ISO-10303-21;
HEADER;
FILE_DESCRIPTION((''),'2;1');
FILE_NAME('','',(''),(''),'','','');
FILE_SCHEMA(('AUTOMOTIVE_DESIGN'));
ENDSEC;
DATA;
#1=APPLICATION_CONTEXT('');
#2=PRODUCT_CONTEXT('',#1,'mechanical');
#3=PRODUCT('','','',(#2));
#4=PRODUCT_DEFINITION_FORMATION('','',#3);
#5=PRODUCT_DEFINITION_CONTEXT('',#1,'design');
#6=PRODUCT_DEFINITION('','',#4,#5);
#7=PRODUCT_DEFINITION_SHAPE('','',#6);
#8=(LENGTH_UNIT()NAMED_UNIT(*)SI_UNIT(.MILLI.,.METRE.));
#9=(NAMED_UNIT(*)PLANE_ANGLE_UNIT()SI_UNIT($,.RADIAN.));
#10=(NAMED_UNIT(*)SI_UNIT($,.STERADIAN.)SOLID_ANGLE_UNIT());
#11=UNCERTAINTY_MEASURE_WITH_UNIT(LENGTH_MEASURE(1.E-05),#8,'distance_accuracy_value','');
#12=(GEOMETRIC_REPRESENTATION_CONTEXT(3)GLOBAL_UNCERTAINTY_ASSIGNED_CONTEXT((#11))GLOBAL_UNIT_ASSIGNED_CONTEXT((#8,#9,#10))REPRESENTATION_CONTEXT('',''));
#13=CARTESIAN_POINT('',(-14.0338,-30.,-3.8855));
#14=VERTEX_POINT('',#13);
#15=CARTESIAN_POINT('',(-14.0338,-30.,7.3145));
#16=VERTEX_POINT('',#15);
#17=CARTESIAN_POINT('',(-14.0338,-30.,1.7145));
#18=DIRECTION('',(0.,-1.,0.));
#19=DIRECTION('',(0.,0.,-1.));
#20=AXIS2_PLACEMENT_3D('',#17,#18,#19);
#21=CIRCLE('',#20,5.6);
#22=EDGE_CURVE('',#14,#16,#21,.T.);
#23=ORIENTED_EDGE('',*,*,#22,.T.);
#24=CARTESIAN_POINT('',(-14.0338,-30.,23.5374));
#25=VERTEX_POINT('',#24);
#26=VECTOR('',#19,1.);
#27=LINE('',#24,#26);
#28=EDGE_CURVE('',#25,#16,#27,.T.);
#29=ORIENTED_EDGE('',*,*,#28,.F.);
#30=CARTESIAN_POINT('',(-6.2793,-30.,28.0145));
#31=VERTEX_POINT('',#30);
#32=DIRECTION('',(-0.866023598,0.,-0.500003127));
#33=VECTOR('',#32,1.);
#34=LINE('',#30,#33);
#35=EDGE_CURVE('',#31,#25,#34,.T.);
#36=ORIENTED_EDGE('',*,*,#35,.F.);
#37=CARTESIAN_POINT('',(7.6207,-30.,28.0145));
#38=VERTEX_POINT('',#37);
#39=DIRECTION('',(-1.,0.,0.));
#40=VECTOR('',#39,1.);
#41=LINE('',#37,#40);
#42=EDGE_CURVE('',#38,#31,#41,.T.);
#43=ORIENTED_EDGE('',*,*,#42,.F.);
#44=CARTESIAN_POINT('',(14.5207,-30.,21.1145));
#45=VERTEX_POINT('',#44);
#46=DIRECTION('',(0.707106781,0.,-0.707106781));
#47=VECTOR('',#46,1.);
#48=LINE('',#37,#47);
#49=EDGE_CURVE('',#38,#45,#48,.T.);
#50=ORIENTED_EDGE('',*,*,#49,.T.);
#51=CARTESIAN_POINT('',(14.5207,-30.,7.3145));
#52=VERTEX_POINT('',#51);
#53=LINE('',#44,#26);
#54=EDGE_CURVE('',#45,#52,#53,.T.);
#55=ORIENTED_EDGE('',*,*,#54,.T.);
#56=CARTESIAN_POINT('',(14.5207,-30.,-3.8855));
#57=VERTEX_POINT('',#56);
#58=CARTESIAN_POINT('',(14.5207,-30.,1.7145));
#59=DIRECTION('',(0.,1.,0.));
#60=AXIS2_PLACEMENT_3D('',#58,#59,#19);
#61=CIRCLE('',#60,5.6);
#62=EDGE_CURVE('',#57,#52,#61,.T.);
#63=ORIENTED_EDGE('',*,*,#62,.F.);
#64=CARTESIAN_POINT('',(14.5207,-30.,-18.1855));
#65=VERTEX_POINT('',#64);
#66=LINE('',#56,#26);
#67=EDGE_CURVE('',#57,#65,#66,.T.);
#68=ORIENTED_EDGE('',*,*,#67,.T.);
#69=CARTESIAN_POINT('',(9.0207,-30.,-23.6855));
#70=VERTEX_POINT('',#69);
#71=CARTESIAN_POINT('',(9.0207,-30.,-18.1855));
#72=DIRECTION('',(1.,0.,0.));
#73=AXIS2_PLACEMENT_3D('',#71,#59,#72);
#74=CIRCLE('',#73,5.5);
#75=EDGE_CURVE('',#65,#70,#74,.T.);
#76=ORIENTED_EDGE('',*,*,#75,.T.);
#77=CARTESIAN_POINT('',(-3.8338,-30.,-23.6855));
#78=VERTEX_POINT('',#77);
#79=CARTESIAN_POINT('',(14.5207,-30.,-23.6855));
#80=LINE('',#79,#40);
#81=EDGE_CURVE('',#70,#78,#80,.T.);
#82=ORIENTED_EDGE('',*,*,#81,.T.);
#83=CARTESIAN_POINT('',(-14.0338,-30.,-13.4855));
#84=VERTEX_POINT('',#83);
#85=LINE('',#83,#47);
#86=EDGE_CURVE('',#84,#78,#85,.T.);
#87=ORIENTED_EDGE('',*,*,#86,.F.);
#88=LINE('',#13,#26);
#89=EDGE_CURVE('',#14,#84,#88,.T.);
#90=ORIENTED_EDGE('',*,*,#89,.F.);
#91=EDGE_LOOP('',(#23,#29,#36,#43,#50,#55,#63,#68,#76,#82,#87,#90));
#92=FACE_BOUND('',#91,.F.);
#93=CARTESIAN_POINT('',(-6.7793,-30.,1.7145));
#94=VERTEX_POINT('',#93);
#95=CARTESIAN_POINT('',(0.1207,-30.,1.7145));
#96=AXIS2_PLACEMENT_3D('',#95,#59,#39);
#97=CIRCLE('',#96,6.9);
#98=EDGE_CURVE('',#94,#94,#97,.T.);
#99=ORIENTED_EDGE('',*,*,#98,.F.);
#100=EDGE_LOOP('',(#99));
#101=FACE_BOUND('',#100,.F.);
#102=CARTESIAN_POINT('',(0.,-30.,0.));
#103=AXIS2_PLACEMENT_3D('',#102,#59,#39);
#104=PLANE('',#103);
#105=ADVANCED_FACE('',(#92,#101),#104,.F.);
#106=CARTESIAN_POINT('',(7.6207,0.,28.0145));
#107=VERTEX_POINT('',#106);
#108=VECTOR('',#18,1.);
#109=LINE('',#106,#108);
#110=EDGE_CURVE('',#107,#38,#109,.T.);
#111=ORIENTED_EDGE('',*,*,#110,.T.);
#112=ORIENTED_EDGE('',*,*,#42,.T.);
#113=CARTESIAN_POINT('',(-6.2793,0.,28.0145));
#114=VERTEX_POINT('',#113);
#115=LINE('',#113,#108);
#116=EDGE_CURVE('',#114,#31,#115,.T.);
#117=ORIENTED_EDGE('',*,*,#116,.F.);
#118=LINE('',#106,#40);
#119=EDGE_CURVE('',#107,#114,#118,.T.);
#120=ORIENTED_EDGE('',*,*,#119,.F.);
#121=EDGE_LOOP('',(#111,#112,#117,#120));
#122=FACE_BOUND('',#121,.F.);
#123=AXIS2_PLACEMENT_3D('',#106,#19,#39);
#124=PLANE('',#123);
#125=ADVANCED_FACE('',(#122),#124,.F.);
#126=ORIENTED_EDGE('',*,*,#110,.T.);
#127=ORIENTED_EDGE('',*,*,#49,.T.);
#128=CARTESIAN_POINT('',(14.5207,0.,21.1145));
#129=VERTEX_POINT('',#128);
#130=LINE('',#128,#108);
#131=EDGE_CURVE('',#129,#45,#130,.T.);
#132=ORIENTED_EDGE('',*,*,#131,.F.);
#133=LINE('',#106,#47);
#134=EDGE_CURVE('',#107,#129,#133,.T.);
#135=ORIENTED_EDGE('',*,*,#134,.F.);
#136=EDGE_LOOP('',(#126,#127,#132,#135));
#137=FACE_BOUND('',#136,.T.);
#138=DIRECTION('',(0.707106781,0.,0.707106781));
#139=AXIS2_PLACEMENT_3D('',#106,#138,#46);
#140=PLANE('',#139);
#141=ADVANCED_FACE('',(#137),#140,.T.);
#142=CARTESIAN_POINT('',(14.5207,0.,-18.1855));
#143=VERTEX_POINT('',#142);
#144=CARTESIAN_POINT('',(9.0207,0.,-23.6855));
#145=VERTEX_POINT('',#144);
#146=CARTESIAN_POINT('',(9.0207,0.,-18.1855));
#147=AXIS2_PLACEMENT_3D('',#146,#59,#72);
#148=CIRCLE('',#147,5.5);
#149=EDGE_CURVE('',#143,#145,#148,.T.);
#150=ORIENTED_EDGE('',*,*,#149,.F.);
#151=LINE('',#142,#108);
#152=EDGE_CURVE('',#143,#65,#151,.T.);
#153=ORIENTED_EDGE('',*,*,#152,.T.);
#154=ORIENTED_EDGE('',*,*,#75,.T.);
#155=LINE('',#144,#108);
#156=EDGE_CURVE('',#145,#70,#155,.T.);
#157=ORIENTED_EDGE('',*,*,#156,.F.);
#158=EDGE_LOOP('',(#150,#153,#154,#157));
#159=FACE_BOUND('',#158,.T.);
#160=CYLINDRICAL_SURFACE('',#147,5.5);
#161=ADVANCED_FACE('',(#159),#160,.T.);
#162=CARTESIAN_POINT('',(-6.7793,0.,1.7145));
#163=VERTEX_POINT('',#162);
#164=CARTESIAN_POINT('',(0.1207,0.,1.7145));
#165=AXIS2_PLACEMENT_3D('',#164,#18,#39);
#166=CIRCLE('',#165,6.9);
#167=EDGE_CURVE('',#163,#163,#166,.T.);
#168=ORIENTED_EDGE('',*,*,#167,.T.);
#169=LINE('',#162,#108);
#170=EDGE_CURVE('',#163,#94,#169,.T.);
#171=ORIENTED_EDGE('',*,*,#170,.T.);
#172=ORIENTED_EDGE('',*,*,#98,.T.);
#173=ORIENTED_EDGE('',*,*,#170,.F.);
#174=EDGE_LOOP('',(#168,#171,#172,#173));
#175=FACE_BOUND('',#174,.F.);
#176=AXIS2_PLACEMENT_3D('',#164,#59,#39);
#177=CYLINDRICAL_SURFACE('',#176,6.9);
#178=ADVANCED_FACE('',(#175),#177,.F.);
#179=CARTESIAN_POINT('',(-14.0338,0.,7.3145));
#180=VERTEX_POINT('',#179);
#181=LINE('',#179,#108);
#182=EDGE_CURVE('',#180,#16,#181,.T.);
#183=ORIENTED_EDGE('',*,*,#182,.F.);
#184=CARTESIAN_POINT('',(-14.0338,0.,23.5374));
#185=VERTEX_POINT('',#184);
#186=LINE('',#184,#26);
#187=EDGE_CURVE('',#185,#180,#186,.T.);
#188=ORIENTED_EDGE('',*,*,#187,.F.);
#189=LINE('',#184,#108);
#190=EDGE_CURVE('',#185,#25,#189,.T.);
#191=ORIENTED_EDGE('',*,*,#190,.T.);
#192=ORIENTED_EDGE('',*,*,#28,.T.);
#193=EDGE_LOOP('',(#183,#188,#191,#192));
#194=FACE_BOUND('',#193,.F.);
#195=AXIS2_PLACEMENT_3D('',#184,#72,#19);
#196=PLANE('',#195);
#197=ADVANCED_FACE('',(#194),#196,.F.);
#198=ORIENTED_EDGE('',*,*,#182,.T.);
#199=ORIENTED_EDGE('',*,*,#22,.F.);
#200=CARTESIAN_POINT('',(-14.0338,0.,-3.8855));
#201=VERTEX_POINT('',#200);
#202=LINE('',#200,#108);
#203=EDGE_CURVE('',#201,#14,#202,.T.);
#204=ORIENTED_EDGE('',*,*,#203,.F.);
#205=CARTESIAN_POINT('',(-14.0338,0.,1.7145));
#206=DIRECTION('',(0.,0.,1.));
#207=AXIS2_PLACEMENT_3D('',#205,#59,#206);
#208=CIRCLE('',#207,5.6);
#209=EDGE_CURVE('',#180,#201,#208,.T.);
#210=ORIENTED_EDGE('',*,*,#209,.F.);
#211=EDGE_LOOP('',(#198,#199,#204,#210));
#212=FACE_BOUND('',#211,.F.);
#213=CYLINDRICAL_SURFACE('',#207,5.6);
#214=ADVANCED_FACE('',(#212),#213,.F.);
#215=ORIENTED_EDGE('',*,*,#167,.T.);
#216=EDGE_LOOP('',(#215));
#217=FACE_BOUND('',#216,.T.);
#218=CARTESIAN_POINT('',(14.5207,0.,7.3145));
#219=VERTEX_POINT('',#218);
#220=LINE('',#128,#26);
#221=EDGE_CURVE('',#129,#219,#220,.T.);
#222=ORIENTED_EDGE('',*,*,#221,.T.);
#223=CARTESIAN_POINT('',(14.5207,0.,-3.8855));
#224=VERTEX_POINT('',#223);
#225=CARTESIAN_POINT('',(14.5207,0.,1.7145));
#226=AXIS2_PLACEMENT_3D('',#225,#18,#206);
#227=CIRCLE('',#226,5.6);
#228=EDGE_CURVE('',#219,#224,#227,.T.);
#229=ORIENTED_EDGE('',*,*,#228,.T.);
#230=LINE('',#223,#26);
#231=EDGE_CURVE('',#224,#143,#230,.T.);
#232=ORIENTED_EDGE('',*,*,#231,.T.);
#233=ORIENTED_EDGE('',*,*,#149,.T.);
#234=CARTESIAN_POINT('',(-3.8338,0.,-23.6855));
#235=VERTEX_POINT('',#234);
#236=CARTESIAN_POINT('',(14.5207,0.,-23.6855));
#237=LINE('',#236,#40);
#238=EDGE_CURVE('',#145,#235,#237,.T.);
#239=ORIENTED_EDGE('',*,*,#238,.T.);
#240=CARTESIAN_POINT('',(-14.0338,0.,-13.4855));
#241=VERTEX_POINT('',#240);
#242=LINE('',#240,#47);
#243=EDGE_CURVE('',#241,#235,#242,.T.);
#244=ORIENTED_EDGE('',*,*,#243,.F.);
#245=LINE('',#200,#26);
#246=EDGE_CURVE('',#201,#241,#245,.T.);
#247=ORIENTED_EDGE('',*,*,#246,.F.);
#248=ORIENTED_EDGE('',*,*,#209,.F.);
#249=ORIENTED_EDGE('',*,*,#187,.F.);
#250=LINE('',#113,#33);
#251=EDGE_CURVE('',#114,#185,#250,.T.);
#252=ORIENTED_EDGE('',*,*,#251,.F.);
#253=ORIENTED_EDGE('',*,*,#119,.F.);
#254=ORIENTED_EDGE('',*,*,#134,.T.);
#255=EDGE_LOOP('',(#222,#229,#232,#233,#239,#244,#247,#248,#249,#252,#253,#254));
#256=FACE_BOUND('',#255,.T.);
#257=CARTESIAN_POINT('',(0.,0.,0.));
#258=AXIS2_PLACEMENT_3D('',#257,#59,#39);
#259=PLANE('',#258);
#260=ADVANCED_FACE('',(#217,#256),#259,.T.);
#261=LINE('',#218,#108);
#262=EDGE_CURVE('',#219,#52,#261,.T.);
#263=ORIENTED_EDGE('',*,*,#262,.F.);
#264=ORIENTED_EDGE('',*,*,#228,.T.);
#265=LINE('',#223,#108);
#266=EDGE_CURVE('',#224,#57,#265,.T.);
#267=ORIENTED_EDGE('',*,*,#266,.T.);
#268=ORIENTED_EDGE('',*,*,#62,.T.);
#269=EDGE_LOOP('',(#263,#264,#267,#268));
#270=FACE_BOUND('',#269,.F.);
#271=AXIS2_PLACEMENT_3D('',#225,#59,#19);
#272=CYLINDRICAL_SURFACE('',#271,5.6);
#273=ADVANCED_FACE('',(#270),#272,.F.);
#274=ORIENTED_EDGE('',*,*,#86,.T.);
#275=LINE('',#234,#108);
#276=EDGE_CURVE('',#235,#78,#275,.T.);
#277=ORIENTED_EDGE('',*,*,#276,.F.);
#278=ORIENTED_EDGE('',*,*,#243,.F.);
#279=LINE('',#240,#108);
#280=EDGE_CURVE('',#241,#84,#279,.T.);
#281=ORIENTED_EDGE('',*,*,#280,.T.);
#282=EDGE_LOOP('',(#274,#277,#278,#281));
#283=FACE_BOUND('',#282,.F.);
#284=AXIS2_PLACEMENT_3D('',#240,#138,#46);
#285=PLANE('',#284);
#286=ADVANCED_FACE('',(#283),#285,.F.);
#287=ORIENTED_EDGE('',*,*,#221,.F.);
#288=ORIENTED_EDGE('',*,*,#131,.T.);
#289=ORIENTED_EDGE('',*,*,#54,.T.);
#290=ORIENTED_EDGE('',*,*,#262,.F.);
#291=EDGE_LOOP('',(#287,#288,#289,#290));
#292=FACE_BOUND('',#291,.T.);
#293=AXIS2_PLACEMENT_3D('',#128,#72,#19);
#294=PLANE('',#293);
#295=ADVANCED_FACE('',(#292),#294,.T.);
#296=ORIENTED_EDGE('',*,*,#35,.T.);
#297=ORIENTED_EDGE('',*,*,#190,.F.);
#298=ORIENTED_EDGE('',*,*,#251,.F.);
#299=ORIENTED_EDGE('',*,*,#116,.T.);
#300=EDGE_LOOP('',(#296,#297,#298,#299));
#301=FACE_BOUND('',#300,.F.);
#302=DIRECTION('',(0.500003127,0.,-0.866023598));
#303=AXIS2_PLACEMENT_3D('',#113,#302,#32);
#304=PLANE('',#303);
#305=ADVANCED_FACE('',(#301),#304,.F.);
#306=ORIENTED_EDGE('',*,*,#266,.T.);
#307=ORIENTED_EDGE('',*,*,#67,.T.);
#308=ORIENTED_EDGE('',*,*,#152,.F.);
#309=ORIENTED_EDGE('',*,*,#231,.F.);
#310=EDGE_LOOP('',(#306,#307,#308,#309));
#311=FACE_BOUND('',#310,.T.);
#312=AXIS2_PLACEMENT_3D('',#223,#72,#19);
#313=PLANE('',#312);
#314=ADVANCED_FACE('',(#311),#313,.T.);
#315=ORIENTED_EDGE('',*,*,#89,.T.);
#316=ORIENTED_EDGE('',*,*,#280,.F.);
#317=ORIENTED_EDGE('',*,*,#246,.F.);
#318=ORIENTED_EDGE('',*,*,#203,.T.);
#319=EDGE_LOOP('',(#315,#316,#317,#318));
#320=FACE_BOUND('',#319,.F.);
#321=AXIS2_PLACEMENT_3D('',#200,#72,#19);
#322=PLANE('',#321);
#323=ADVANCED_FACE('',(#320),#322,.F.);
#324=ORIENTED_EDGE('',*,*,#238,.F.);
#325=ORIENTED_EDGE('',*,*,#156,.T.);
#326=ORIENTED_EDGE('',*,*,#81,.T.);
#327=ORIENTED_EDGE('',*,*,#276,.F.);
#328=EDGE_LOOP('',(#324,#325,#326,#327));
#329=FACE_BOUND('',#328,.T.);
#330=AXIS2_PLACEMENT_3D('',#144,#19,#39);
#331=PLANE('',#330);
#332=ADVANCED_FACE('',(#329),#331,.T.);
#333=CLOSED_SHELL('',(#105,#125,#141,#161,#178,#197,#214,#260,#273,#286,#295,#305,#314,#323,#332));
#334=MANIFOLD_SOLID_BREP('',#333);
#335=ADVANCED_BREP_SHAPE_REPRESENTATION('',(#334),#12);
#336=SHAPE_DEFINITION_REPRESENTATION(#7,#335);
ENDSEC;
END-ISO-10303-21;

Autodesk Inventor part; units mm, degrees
ref_plane "YZ Plane" through (0, 0, 0) normal (1, 0, 0) x (0, 1, 0)
ref_plane "XZ Plane" through (0, 0, 0) normal (0, 1, 0) x (-1, 0, 0)
ref_plane "XY Plane" through (0, 0, 0) normal (0, 0, 1) x (1, 0, 0)
sketch "Sketch1" plane through (0, 0, 0) normal (0, 0, 1) x (1, 0, 0)
  point P0 (0, 0)
sketch "Sketch2" plane through (0, 0, 0) normal (0, 1, 0) x (-1, 0, 0)
  line L0 (18.3793, 32.1145) -> (-18.6207, 32.1145)
  line L1 (-18.6207, 32.1145) -> (-18.6207, -28.8855)
  line L2 (-18.6207, -28.8855) -> (18.3793, -28.8855)
  line L3 (18.3793, -28.8855) -> (18.3793, 32.1145)
  line L4 (-18.6207, 32.1145) -> (-18.6207, 28.0145)
  line L5 (-18.6207, 28.0145) -> (-14.5207, 28.0145)
  line L6 (-14.5207, 28.0145) -> (-7.6207, 28.0145)
  line L7 (-7.6207, 28.0145) -> (6.2793, 28.0145)
  line L8 (6.2793, 28.0145) -> (14.2793, 28.0145) construction
  line L9 (14.0338, 32.3374) -> (14.0338, 23.5374)
  line L10 (6.2793, 28.0145) -> (14.0338, 23.5374)
  line L11 (14.0338, 23.5374) -> (14.0338, 7.3145)
  arc A0 (14.0338, 7.3145) -> (14.0338, -3.8855) centre (14.0338, 1.7145) ccw
  line L12 (14.0338, -3.8855) -> (14.0338, -13.4855)
  arc A1 (-14.5207, -3.8855) -> (-14.5207, 7.3145) centre (-14.5207, 1.7145) ccw
  line L13 (-14.5207, -3.8855) -> (-14.5207, -18.1855)
  line L14 (-7.6207, 28.0145) -> (-14.5207, 21.1145)
  line L15 (-14.5207, 32.1145) -> (-14.5207, 28.0145)
  line L16 (-14.5207, 21.1145) -> (-14.5207, 7.3145)
  line L17 (-14.5207, -18.1855) -> (-14.5207, -23.6855) construction
  line L18 (-14.5207, -23.6855) -> (3.8338, -23.6855)
  line L19 (14.0338, -13.4855) -> (3.8338, -23.6855)
  line L20 (-1.3662, -28.8855) -> (-1.8697, -29.389)
  arc A2 (-14.5207, -18.1855) -> (-9.0207, -23.6855) centre (-9.0207, -18.1855) ccw
  line L21 (14.0338, 1.7145) -> (-14.5207, 1.7145)
  circle A3 centre (-0.1207, 1.7145) radius 6.9
  point P0 (0, 0)
  dimension "d2" = 37
  dimension "d3" = 61
  dimension "d4" = 4.1
  dimension "d5" = 4.1
  dimension "d6" = 6.9
  dimension "d7" = 13.9
  dimension "d9" = 8.8
  dimension "d10" = 30
  dimension "d12" = 30.4
  dimension "d13" = 24.8
  dimension "d14" = 45.6
  dimension "d16" = 24.8
  dimension "d17" = 30.4
  dimension "d20" = 50.3
  dimension "d21" = 45
  dimension "d22" = 5.5
  dimension "d24" = 5.5
  dimension "d25" = 5.5
  dimension "d26" = 18.5
  dimension "d27" = 13.8
extrude "Extrusion1" add sketch "Sketch2" against normal blind 30 contours L11 A0 L21 A3 A1 L16 L14 L7 L10 | A0 L12 L19 L18 A2 L13 A1 L21 A3
sketch "Sketch3" plane through (0, 0, 0) normal (0, 1, 0) x (1, 0, 0)
  line L0 (7.6207, -28.0145) -> (-6.2793, -28.0145) projected
  line L1 (7.6207, -28.0145) -> (14.5207, -21.1145) projected
  line L2 (14.5207, -21.1145) -> (14.5207, -7.3145) projected
  arc A0 (14.5207, 3.8855) -> (14.5207, -7.3145) centre (14.5207, -1.7145) ccw projected
  line L3 (14.5207, 3.8855) -> (14.5207, 18.1855) projected
  arc A1 (14.5207, 18.1855) -> (9.0207, 23.6855) centre (9.0207, 18.1855) ccw projected
  line L4 (9.0207, 23.6855) -> (-3.8338, 23.6855) projected
  line L5 (-3.8338, 23.6855) -> (-14.0338, 13.4855) projected
  line L6 (-14.0338, 13.4855) -> (-14.0338, 3.8855) projected
  arc A2 (-14.0338, -7.3145) -> (-14.0338, 3.8855) centre (-14.0338, -1.7145) ccw projected
  line L7 (-14.0338, -23.5374) -> (-14.0338, -7.3145) projected
  line L8 (-14.0338, -23.5374) -> (-6.2793, -28.0145) projected
  circle A3 centre (0.1207, -1.7145) radius 6.9 projected
  point P0 (0, 0)
  point P1 (14.5207, -28.0145)
